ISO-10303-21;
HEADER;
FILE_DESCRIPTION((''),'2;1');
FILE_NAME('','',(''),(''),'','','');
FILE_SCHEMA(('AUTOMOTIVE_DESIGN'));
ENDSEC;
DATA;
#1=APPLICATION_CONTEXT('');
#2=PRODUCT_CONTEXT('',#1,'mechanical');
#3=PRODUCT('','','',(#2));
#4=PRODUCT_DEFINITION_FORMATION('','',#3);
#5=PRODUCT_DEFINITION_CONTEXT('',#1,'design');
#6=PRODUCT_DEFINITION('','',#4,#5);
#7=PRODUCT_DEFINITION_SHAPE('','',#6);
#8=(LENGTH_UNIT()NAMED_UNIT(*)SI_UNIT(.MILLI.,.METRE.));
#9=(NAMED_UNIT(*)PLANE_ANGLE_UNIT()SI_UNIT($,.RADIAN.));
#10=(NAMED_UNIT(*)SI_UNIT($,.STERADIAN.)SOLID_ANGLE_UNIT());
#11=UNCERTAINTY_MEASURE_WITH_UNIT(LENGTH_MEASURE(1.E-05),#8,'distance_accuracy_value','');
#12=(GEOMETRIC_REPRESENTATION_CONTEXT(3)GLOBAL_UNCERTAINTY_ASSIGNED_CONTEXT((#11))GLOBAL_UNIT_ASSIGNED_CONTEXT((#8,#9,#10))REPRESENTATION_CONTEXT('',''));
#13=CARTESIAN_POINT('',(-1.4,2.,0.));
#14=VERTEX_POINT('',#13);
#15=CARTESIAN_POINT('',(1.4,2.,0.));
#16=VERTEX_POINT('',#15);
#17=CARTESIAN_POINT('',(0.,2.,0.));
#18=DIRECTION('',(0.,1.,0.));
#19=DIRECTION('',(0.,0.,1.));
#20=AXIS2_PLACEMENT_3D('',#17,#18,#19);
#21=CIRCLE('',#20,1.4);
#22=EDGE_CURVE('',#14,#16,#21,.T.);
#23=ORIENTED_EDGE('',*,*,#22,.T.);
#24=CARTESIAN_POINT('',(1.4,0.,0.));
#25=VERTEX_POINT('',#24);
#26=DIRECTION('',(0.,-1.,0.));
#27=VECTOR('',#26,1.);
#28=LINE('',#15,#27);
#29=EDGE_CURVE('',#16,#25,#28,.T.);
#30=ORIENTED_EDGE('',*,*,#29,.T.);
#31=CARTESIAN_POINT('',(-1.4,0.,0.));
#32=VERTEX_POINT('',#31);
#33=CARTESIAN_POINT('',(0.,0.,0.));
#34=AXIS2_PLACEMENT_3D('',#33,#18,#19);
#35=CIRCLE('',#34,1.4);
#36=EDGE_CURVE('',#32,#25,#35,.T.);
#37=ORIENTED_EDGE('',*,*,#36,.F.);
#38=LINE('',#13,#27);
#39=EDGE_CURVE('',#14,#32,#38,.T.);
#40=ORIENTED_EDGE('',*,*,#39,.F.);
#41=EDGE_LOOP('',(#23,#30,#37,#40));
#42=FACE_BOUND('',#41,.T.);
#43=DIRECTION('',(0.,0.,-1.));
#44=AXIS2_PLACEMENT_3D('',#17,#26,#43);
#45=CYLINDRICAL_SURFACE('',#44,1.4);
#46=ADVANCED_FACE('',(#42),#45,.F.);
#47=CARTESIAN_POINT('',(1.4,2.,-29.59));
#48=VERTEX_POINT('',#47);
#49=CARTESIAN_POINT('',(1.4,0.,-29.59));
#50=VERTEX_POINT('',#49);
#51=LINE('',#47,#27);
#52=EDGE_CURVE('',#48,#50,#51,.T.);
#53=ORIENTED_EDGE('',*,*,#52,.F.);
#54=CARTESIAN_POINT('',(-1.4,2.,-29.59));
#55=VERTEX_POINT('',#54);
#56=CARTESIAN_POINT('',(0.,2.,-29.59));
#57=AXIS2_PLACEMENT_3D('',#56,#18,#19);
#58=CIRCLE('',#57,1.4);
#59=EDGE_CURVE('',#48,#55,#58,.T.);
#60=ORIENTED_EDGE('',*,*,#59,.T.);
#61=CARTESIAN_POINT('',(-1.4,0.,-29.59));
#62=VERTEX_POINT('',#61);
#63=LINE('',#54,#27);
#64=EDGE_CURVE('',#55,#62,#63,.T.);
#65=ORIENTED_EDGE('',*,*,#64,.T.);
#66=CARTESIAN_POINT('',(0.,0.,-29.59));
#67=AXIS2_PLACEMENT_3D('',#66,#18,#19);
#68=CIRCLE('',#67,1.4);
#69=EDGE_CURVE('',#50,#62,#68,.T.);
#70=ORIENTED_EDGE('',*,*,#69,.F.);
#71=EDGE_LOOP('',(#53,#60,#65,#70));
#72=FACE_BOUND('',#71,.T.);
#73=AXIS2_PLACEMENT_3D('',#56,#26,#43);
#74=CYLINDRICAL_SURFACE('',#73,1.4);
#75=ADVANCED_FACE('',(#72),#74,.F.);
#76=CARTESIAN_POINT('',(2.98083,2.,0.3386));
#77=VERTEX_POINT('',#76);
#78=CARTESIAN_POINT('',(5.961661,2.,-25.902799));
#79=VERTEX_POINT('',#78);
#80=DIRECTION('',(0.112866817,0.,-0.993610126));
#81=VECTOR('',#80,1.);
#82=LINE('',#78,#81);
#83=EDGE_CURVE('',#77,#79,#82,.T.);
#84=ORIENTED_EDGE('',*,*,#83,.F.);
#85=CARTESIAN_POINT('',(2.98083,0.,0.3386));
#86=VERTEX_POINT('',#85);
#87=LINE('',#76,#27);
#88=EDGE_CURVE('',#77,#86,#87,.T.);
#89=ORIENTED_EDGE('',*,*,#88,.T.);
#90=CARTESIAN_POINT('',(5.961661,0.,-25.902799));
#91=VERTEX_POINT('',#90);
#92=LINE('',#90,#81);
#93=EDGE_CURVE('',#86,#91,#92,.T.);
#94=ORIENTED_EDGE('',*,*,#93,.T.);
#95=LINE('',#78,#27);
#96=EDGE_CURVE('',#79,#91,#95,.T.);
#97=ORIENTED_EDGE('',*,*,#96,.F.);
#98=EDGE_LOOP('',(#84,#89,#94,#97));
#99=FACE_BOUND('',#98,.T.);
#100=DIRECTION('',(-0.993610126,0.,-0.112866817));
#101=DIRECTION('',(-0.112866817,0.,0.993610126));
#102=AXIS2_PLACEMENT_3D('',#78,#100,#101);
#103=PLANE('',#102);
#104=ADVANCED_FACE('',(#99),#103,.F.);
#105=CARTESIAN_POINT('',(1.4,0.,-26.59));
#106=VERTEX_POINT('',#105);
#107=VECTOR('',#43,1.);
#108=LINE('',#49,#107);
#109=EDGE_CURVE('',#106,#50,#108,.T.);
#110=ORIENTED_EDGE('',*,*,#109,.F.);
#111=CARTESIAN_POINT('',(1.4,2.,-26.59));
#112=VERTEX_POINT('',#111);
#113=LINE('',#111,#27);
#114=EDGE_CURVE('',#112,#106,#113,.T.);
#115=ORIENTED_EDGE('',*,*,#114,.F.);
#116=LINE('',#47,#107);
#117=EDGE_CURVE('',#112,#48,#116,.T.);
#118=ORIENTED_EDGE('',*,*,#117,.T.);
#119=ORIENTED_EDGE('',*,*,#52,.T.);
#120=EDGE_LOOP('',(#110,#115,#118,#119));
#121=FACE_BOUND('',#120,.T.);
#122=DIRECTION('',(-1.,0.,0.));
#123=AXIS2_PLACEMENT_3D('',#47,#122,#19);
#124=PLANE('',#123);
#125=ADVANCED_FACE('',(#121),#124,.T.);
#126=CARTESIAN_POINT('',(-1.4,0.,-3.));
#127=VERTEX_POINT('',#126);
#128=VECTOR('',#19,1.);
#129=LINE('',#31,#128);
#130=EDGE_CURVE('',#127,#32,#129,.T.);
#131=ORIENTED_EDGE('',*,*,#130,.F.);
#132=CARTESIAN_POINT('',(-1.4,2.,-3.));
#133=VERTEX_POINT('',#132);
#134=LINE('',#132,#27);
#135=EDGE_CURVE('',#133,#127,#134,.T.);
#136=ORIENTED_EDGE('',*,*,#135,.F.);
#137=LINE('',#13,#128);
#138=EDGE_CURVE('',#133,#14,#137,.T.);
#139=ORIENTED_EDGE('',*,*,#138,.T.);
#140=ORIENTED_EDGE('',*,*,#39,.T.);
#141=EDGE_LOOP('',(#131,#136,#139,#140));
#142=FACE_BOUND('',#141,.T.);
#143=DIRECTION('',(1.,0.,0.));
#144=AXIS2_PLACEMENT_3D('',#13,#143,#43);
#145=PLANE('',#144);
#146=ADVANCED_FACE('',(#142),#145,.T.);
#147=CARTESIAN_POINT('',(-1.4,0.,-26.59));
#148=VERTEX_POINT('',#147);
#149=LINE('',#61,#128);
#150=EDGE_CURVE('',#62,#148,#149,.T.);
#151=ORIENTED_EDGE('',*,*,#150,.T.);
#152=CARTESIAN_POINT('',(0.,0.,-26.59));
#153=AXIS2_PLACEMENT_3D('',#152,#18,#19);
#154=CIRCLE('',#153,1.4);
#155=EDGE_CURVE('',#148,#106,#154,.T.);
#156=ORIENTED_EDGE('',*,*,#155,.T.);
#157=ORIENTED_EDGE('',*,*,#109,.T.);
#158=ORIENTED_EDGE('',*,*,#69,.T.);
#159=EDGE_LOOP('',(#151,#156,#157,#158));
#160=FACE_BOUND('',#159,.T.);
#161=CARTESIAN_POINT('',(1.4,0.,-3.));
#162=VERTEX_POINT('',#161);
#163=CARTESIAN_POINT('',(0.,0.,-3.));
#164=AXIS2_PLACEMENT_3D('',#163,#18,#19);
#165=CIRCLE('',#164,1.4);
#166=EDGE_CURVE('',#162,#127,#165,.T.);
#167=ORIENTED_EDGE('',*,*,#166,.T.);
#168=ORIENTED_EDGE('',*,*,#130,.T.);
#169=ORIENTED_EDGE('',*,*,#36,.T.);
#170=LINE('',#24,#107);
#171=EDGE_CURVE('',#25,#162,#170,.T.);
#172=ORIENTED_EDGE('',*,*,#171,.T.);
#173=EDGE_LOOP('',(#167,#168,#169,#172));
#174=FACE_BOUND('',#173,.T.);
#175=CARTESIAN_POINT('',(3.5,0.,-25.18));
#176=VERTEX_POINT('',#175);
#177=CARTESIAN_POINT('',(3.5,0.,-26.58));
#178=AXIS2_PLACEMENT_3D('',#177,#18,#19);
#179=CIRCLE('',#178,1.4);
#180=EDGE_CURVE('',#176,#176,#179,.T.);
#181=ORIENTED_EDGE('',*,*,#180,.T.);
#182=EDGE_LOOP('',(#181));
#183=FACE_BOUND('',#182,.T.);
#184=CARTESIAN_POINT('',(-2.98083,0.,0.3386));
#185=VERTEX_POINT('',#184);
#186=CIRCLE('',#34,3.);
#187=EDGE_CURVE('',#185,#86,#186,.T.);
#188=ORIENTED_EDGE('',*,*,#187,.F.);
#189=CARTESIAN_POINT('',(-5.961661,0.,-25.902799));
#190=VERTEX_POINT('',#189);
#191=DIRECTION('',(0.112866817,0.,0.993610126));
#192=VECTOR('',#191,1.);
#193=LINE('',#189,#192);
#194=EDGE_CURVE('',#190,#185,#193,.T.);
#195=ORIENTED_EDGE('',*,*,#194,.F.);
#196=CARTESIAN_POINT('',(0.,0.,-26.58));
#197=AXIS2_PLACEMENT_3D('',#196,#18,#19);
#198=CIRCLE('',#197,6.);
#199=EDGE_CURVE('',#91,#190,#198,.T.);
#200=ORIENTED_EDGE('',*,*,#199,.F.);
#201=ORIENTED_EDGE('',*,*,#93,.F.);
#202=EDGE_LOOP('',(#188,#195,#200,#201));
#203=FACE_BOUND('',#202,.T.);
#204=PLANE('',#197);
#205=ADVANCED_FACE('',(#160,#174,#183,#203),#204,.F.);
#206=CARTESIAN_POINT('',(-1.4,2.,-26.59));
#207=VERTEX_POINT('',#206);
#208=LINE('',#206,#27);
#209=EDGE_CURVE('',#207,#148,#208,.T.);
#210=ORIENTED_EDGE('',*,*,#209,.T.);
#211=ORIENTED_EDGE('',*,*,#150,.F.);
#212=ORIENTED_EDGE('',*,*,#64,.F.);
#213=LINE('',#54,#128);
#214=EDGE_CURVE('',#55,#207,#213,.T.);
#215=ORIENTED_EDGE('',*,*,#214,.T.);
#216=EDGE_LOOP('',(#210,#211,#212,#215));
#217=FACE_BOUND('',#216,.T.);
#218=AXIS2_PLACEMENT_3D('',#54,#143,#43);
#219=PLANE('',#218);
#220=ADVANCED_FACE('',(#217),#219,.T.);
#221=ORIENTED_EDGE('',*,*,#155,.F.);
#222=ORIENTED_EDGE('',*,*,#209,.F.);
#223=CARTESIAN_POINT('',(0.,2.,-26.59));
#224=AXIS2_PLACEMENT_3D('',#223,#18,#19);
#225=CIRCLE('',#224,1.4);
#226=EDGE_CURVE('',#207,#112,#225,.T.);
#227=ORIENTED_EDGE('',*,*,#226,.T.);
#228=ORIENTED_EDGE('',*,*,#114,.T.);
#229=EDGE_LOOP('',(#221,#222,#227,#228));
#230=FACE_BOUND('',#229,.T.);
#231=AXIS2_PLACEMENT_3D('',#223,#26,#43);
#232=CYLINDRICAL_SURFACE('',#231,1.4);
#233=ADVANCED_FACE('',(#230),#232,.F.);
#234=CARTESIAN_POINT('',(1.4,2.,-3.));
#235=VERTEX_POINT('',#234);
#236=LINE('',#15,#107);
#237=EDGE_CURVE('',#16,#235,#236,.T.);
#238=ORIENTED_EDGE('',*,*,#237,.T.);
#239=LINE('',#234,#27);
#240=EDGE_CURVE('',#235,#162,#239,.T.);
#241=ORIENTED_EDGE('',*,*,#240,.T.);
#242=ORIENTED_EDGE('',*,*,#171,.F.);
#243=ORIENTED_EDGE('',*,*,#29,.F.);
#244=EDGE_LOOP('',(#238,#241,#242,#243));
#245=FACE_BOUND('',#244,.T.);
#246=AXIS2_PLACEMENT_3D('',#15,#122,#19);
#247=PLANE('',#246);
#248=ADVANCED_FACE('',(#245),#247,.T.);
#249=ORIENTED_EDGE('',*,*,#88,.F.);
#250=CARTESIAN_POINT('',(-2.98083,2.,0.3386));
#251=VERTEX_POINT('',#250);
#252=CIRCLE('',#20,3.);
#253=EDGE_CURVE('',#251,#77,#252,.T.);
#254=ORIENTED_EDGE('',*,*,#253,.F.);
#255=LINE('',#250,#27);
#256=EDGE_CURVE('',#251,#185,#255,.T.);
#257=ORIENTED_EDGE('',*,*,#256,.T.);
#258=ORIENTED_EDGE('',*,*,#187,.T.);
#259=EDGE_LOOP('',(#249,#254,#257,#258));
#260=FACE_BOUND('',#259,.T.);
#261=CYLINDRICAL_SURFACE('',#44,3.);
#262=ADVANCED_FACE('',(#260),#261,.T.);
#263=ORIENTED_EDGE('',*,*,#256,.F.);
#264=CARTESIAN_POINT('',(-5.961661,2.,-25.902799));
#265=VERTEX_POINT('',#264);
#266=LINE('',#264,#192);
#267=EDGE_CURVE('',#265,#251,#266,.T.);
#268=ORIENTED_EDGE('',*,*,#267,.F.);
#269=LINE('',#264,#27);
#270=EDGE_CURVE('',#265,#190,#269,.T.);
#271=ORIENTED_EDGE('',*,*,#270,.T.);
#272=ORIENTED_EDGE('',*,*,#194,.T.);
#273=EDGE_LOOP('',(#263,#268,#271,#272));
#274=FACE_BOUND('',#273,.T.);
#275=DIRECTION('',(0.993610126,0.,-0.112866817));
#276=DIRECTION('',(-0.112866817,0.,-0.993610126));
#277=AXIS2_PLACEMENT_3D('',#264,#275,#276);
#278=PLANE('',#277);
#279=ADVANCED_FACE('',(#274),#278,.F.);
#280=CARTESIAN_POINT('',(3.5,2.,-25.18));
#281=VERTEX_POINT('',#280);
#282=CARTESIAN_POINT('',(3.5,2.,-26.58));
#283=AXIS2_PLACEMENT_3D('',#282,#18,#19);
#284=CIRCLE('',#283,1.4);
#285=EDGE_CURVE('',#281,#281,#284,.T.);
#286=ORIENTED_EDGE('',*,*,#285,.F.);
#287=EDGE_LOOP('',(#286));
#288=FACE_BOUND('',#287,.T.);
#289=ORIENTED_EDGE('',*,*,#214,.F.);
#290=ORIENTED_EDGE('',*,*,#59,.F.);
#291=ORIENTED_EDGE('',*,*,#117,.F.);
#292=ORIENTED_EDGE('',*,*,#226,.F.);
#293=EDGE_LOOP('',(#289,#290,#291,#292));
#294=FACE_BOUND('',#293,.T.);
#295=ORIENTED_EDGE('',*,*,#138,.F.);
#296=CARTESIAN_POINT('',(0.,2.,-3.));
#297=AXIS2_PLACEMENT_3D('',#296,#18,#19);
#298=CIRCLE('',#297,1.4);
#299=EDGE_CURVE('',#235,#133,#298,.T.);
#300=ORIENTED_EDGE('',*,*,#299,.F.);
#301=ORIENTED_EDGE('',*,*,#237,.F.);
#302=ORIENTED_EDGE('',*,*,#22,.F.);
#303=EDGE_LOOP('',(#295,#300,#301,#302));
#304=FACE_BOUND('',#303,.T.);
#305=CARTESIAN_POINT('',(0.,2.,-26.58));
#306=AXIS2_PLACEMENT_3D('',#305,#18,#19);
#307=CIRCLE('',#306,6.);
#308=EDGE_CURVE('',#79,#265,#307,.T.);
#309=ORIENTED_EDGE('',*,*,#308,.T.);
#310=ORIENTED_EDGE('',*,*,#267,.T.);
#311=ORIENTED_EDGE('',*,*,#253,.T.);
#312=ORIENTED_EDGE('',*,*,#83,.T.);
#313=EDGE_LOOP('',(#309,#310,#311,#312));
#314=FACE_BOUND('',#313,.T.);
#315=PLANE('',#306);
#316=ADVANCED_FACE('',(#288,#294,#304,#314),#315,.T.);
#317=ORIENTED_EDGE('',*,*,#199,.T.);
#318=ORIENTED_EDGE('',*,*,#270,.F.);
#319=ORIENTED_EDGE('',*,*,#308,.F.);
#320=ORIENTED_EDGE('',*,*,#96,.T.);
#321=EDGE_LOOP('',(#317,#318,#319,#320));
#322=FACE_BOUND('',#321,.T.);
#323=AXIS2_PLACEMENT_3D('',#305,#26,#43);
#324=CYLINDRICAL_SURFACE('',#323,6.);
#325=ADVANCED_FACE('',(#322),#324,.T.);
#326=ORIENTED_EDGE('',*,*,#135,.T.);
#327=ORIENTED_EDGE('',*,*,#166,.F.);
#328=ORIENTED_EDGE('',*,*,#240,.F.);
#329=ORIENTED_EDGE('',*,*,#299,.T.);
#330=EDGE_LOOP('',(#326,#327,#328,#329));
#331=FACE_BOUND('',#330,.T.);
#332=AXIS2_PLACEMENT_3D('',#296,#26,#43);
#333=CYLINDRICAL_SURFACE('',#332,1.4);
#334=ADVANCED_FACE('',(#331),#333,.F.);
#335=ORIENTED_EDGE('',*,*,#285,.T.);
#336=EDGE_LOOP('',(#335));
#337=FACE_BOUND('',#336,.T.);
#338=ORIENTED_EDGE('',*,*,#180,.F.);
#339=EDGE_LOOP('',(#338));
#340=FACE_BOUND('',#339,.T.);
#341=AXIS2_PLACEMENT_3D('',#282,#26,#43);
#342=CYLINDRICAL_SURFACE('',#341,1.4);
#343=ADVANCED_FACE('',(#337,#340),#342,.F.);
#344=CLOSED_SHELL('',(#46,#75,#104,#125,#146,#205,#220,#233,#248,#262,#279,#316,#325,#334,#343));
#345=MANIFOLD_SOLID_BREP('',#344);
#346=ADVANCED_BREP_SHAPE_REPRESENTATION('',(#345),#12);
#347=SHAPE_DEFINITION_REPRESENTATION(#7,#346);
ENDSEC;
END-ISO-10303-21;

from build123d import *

# Parameters (mm, degrees)
SKETCH1_R           = 1.4
BOSS_EXTRUDE1_DEPTH = 2


with BuildPart() as part:
    # Sketch1 → Boss-Extrude1 (new body)
    with BuildSketch(Plane(origin=(0, 0, 0), x_dir=(1, 0, 0), z_dir=(0, 1, 0))):
        with BuildLine():
            Line((-5.961660753, 25.902799097), (-2.980830377, -0.338600451))
            ThreePointArc((-2.980830377, -0.338600451), (0, -3), (2.980830377, -0.338600451))
            Line((2.980830377, -0.338600451), (5.961660753, 25.902799097))
            ThreePointArc((5.961660753, 25.902799097), (0, 32.58), (-5.961660753, 25.902799097))
        make_face()
        with Locations((3.5, 26.58)):
            Circle(SKETCH1_R, mode=Mode.SUBTRACT)
        with BuildLine():
            Line((-1.4, 0), (-1.4, 3))
            ThreePointArc((-1.4, 3), (0, 4.4), (1.4, 3))
            Line((1.4, 3), (1.4, 0))
            ThreePointArc((1.4, 0), (0, -1.4), (-1.4, 0))
        make_face(mode=Mode.SUBTRACT)
        with BuildLine():
            Line((1.4, 29.59), (1.4, 26.59))
            ThreePointArc((1.4, 26.59), (0, 25.19), (-1.4, 26.59))
            Line((-1.4, 26.59), (-1.4, 29.59))
            ThreePointArc((-1.4, 29.59), (0, 30.99), (1.4, 29.59))
        make_face(mode=Mode.SUBTRACT)
    extrude(amount=BOSS_EXTRUDE1_DEPTH)


solid = part.part
